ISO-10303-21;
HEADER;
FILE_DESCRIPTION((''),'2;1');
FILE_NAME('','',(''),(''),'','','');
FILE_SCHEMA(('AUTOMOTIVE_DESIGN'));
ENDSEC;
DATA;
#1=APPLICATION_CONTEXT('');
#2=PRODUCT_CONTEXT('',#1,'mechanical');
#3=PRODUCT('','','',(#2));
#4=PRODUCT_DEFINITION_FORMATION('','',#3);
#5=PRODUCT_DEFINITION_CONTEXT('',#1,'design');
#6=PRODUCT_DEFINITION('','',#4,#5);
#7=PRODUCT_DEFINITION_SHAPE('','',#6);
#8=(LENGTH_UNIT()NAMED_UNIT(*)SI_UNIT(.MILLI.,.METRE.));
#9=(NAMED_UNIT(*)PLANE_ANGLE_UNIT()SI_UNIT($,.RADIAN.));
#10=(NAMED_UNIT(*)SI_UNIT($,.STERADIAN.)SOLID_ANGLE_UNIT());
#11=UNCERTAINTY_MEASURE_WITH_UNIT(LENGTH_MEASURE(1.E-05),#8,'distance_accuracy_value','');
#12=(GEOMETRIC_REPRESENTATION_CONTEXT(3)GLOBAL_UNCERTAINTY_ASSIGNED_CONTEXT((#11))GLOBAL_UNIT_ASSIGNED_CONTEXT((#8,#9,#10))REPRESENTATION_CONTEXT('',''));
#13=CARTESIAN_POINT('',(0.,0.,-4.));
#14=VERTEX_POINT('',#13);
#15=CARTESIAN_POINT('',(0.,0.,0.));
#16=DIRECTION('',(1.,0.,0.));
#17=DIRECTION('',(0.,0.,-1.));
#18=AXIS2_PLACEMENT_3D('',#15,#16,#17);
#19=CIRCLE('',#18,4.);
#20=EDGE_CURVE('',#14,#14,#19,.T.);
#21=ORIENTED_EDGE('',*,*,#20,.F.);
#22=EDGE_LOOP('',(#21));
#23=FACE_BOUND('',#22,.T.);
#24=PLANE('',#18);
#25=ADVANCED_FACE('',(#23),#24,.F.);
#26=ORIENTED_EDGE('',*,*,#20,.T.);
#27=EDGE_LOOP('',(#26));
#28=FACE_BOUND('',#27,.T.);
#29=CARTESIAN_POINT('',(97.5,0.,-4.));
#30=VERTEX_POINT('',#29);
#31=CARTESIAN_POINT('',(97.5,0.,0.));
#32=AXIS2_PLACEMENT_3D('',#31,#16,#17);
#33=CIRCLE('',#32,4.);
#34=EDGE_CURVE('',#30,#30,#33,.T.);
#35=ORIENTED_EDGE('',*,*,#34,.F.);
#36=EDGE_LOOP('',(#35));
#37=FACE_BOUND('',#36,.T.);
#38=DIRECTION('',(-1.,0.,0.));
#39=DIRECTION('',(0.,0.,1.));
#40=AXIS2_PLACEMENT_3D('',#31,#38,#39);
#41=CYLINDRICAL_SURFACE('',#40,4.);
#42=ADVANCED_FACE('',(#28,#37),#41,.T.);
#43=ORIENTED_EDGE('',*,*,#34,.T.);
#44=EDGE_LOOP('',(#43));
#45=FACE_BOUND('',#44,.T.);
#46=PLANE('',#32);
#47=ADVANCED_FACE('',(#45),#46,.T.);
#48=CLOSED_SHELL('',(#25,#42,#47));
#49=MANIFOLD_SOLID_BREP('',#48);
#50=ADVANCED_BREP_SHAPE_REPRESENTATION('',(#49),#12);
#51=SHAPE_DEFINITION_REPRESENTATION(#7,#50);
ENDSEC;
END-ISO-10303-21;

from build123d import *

# Parameters (mm, degrees)
SKETCH1_R           = 4
BOSS_EXTRUDE1_DEPTH = 97.5


with BuildPart() as part:
    # Sketch1 → Boss-Extrude1 (new body)
    with BuildSketch(Plane(origin=(0, 0, 0), x_dir=(0, 0, -1), z_dir=(1, 0, 0))):
        Circle(SKETCH1_R)
    extrude(amount=BOSS_EXTRUDE1_DEPTH)


solid = part.part
